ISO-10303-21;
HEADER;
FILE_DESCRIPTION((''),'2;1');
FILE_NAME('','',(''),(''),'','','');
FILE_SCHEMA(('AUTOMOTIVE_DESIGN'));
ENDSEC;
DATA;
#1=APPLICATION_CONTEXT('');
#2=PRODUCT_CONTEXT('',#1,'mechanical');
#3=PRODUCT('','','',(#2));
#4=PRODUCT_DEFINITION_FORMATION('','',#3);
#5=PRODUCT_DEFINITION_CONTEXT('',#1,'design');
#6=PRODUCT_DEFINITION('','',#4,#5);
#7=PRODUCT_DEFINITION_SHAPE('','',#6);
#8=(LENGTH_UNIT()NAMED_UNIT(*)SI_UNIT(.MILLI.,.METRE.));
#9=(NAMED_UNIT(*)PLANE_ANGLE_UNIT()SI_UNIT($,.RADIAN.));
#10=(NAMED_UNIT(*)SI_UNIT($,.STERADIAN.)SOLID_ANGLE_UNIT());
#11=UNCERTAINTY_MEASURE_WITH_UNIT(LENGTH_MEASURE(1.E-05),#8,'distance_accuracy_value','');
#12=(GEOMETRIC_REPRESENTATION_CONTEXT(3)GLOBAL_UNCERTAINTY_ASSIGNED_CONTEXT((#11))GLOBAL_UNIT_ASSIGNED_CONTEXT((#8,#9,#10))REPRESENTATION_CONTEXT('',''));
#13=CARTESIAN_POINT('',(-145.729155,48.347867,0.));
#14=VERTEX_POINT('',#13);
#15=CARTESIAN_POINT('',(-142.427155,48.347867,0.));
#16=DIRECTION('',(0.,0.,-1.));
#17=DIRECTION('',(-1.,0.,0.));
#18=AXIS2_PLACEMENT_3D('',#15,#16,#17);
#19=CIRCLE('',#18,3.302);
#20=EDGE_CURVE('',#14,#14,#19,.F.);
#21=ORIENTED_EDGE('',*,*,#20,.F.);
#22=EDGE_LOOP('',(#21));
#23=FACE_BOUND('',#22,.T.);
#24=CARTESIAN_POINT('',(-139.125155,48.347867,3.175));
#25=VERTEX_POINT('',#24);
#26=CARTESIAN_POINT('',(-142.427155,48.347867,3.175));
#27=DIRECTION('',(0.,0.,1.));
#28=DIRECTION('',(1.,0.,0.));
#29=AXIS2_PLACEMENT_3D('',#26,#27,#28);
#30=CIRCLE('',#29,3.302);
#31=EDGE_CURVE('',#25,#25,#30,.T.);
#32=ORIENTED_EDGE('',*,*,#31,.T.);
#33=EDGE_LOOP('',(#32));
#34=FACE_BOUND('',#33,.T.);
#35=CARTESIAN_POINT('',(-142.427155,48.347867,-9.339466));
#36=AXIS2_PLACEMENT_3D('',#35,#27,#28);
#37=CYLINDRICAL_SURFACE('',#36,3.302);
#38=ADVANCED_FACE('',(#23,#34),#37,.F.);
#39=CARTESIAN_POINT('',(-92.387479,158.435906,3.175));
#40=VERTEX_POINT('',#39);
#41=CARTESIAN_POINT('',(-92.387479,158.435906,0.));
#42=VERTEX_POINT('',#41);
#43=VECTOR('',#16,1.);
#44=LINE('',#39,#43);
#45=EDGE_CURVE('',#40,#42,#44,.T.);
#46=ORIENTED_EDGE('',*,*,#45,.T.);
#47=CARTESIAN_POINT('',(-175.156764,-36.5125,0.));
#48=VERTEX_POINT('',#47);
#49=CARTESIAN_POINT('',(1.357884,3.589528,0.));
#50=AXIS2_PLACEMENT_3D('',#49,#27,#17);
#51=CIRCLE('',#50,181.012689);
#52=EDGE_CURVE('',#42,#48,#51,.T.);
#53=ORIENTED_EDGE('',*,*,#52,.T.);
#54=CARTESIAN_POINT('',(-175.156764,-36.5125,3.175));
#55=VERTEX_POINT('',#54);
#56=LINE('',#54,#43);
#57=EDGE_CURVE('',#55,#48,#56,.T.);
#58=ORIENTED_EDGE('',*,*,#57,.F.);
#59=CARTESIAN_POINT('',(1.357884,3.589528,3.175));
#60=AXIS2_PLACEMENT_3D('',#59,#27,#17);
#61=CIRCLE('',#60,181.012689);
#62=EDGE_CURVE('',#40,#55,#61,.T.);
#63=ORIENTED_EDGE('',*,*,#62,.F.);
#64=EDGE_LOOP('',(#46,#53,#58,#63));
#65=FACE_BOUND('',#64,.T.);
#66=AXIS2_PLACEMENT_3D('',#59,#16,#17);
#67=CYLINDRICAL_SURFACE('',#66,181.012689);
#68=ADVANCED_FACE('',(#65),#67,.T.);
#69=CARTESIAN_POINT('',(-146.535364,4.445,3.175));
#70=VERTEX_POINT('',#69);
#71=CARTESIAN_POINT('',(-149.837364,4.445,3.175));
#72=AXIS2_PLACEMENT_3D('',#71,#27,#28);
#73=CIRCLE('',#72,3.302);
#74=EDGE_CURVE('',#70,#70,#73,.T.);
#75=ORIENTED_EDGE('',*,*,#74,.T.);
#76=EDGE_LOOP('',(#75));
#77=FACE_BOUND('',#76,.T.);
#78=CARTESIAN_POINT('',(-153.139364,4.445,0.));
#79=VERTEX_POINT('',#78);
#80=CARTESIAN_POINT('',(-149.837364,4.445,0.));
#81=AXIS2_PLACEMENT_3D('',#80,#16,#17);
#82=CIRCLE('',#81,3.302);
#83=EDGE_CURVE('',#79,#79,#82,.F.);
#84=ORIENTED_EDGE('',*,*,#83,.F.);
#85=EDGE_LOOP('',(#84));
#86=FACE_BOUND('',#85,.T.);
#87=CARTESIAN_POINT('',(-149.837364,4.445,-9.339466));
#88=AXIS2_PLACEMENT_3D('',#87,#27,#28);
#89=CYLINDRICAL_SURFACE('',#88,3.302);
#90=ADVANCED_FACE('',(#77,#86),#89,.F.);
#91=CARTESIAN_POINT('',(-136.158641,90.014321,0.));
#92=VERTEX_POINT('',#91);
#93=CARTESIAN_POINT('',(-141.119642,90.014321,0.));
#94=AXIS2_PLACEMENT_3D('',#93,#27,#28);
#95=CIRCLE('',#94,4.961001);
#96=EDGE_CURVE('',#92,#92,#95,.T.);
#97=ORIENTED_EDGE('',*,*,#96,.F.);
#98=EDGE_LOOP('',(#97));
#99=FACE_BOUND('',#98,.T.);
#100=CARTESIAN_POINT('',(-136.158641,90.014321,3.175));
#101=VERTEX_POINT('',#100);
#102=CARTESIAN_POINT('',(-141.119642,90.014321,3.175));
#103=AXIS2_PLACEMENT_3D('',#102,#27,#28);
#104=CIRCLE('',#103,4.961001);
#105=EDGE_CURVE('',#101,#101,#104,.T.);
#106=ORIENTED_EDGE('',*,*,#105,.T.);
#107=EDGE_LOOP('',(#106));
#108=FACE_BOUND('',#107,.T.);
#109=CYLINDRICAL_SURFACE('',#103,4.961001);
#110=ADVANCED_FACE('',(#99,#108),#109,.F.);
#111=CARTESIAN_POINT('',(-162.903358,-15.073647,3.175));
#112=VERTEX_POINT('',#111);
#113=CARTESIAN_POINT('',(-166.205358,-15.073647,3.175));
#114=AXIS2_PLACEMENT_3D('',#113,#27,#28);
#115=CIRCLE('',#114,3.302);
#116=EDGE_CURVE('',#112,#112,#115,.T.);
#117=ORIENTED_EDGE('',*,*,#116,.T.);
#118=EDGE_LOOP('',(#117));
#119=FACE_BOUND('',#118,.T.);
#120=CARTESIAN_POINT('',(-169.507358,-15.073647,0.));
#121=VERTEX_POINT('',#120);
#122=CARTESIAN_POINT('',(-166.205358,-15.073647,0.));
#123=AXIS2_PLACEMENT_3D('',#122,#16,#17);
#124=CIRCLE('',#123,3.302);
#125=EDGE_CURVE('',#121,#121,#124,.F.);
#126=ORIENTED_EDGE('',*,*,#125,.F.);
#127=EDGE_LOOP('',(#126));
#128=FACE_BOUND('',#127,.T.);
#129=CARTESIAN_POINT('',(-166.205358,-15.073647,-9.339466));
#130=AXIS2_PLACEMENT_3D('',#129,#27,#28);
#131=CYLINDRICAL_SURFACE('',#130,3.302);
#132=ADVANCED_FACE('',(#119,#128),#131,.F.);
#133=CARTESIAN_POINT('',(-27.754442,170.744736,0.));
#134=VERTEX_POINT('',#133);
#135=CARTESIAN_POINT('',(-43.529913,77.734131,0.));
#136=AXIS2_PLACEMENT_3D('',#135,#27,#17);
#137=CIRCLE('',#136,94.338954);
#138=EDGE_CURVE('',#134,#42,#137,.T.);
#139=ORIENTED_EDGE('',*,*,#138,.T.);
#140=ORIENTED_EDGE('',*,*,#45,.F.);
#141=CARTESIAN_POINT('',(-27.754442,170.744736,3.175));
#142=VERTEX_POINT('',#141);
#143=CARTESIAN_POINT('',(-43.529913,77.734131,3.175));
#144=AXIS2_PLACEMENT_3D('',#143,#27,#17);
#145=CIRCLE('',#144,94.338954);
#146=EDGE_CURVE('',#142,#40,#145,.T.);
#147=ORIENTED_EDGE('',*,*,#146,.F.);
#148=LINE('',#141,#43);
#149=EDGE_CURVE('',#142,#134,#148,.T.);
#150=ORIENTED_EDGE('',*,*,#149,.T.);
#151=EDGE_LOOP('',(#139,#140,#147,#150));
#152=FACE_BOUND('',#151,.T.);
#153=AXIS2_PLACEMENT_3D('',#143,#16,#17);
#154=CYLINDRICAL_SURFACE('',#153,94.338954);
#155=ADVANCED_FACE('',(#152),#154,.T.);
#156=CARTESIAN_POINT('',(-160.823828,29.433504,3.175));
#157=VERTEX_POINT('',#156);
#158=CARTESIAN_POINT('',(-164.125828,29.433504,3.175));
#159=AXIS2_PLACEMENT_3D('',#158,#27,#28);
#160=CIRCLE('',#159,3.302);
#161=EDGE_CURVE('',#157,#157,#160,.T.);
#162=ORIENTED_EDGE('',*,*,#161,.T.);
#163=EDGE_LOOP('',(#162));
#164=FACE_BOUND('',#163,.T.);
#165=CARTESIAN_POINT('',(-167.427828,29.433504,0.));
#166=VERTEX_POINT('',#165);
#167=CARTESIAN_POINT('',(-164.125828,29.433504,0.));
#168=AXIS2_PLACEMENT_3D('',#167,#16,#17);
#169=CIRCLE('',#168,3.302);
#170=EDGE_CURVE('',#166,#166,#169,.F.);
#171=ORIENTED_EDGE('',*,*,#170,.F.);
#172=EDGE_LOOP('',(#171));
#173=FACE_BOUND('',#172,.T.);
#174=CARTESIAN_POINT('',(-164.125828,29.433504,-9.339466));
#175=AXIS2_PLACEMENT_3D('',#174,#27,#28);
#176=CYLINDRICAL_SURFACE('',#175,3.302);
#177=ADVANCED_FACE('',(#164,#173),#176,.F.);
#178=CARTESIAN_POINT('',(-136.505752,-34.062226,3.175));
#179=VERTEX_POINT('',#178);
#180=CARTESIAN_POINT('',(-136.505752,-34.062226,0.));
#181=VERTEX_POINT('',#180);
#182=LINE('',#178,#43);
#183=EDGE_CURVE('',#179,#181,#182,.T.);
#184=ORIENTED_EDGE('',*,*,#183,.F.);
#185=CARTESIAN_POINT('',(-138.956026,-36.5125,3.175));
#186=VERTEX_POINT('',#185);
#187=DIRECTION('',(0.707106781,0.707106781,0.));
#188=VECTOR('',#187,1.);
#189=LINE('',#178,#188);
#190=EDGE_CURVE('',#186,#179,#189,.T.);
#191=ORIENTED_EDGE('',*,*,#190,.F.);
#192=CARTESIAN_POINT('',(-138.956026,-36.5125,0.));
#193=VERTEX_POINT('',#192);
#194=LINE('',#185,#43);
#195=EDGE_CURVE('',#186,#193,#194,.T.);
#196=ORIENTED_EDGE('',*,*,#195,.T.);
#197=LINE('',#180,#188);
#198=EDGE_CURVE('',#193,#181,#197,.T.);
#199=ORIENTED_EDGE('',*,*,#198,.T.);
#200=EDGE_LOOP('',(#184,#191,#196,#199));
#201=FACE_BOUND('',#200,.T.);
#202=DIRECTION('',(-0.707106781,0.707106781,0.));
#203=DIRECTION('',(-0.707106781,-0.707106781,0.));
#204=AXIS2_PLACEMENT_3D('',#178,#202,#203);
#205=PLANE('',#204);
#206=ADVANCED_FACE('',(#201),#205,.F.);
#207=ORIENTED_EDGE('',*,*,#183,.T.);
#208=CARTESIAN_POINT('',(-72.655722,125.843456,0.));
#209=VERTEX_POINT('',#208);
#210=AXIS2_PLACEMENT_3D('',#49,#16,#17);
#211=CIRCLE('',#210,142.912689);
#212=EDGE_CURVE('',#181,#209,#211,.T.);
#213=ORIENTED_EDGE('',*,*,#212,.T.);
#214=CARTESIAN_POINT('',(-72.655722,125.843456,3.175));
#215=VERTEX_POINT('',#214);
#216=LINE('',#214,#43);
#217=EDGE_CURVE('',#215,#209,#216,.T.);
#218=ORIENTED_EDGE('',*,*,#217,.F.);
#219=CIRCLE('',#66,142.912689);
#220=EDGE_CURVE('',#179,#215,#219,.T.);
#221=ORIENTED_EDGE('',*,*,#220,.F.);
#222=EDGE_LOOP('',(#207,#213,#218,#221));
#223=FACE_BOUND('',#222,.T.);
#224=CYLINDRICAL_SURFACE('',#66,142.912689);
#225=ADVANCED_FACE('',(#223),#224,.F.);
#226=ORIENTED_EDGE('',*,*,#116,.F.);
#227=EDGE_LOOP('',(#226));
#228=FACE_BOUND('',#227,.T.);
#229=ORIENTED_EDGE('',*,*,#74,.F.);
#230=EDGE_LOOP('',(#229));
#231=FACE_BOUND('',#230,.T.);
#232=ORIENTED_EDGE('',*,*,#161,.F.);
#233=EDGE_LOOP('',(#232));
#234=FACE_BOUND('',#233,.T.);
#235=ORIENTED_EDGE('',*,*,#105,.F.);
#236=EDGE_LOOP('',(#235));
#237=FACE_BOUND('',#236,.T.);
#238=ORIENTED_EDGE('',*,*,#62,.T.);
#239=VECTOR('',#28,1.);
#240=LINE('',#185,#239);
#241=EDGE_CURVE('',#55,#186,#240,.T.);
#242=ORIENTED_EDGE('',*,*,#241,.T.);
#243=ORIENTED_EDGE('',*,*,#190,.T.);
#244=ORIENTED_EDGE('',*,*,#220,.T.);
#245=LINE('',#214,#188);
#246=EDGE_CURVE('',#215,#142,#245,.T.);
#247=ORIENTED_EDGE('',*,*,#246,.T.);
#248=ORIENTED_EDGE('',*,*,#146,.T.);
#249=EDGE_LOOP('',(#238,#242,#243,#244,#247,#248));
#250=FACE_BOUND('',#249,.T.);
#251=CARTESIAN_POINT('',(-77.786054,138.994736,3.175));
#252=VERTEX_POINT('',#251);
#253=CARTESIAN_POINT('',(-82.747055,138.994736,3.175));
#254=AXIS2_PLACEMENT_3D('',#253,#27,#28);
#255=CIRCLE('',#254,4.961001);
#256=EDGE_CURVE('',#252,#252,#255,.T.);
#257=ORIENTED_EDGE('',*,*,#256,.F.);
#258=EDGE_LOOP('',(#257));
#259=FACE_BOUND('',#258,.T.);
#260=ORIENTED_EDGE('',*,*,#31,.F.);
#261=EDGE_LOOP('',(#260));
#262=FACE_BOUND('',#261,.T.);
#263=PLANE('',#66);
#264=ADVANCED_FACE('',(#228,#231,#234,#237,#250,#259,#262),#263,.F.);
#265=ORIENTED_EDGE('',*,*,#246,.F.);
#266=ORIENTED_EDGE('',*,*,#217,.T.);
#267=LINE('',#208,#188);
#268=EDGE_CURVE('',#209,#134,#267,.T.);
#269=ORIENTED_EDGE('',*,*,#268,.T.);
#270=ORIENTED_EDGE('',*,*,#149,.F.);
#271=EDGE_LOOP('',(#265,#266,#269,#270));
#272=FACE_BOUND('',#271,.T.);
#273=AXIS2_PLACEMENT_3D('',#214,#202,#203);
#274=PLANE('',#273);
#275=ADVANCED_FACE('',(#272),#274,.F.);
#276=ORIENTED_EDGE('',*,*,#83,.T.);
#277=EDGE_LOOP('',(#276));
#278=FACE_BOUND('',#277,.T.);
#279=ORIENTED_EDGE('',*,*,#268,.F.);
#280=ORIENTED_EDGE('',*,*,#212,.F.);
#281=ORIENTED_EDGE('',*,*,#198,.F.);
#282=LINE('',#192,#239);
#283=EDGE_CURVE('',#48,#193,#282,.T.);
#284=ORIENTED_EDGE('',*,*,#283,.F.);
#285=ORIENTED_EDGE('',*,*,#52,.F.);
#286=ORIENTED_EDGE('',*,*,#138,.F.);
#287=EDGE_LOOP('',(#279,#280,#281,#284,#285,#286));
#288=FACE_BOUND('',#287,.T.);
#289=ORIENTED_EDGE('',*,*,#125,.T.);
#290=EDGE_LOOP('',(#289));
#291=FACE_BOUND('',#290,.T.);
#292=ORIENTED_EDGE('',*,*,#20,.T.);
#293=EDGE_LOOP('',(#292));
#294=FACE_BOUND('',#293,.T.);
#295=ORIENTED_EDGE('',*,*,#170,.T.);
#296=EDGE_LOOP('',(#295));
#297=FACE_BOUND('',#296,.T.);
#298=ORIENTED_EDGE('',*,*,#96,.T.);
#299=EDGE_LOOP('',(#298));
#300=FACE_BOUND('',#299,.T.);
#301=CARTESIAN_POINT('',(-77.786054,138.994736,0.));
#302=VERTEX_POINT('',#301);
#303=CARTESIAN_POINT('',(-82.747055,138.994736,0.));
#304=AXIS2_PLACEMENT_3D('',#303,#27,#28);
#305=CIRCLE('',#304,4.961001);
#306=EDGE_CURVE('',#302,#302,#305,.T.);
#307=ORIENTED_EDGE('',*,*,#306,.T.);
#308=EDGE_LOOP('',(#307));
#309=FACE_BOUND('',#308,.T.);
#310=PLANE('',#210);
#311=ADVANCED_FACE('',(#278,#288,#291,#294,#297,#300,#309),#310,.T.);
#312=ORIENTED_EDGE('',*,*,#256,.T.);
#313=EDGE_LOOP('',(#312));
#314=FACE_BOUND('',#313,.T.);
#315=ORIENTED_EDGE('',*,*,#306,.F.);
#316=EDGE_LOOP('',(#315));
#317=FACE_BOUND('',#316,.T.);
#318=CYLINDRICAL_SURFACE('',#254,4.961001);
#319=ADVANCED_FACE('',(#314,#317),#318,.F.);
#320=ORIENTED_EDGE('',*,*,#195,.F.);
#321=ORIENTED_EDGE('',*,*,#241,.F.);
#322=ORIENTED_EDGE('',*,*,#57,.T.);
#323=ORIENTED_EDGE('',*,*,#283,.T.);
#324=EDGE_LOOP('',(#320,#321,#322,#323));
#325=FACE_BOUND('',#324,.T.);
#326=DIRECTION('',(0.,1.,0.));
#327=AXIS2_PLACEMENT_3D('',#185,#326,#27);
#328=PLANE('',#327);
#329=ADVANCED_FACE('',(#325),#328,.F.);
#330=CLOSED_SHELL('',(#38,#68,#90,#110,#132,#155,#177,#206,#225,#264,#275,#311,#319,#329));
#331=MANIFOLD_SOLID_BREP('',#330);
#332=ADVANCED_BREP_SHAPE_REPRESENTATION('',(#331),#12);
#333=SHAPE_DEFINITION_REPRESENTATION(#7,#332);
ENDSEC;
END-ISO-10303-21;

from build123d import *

# Parameters (mm, degrees)
BOSS_EXTRUDE1_DEPTH              = 3.175
SKETCH2_R                        = 3.302
CUT_EXTRUDE1_DEPTH               = 3.175
SKETCH4_R                        = 3.302
CUT_EXTRUDE2_DEPTH               = 3.175
F_25_64_0_39063_DIAMETER_HOLE1_D = 9.922002


with BuildPart() as part:
    # Sketch1 → Boss-Extrude1 (new body)
    with BuildSketch(Plane.XY):
        with BuildLine():
            Line((-138.956026155, -36.5125), (-175.156764378, -36.5125))
            ThreePointArc((-175.156764378, -36.5125), (-165.259458004, 74.330287718), (-92.387479089, 158.435905553))
            ThreePointArc((-92.387479089, 158.435905553), (-61.178796261, 170.407509665), (-27.754441861, 170.74473641))
            Line((-27.754441861, 170.74473641), (-72.655722467, 125.843455804))
            ThreePointArc((-72.655722467, 125.843455804), (-131.365317745, 56.585646012), (-136.505752305, -34.06222615))
            Line((-136.505752305, -34.06222615), (-138.956026155, -36.5125))
        make_face()
    extrude(amount=BOSS_EXTRUDE1_DEPTH)

    # Sketch2 → Cut-Extrude1 (cut)
    with BuildSketch(Plane.XY.offset(3.175)):
        with Locations((-142.427155303, 48.347866959)):
            Circle(SKETCH2_R)
        with Locations((-149.837364131, 4.445)):
            Circle(SKETCH2_R)
    extrude(amount=-CUT_EXTRUDE1_DEPTH, mode=Mode.SUBTRACT)

    # Sketch4 → Cut-Extrude2 (cut)
    with BuildSketch(Plane.XY.offset(3.175)):
        with Locations((-164.125827505, 29.433503815)):
            Circle(SKETCH4_R)
        with Locations((-166.205357894, -15.073647178)):
            Circle(SKETCH4_R)
    extrude(amount=-CUT_EXTRUDE2_DEPTH, mode=Mode.SUBTRACT)

    # 25/64 (0.39063) Diameter Hole1 (through all)
    with Locations(Plane.XY.offset(3.175)):
        with Locations((-82.747055002, 138.99473641), (-141.119641567, 90.014320551)):
            Hole(F_25_64_0_39063_DIAMETER_HOLE1_D / 2)


solid = part.part
